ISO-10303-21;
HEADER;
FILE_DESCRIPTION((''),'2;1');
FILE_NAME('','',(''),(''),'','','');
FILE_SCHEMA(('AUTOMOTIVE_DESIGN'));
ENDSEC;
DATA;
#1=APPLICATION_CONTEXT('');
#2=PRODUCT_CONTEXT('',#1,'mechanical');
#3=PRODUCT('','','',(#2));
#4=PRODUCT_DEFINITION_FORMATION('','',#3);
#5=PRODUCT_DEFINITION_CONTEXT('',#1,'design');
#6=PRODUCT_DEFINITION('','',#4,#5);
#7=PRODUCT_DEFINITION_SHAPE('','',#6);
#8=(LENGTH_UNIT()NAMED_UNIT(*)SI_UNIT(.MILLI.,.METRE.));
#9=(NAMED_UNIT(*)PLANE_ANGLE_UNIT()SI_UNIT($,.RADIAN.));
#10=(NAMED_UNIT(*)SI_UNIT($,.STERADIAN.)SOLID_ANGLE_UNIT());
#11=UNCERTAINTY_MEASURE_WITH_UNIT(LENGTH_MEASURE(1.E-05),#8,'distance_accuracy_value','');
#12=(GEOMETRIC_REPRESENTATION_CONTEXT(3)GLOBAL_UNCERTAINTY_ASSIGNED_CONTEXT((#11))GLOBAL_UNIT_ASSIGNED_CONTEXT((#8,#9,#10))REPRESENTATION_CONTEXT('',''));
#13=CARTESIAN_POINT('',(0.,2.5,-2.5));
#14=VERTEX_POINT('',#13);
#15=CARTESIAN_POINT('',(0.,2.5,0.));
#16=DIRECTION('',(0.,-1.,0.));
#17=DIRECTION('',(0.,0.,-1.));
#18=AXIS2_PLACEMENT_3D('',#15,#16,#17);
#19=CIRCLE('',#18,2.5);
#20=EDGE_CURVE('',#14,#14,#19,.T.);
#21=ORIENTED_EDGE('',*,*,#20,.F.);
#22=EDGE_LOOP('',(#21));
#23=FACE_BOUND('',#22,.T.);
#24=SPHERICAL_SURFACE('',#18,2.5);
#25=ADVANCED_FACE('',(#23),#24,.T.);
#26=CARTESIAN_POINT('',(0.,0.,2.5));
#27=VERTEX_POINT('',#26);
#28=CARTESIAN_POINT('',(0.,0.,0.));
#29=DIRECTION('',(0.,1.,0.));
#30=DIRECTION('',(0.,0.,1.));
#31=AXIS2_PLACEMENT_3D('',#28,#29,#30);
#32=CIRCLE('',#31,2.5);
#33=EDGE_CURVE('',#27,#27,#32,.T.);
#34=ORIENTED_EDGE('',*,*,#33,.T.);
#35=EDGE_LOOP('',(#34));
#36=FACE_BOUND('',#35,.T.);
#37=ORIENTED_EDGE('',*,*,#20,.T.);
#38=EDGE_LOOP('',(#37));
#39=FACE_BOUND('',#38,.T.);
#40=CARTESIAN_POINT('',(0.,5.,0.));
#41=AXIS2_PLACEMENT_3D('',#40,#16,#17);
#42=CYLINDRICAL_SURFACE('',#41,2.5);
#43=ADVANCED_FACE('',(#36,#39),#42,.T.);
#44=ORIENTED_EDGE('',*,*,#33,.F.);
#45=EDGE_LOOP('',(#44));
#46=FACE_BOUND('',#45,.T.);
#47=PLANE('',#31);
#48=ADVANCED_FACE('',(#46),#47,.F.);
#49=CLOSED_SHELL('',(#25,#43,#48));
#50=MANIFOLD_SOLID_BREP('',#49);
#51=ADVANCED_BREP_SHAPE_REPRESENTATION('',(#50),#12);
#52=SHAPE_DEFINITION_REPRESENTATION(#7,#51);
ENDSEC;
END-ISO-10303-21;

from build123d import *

# Parameters (mm, degrees)
ESQUISSE1_R      = 2.5
EXTRUSION1_DEPTH = 5
CONG_1_R         = 2.5


with BuildPart() as part:
    # Esquisse1 → Extrusion1 (new body)
    with BuildSketch(Plane(origin=(0, 0, 0), x_dir=(1, 0, 0), z_dir=(0, 1, 0))):
        Circle(ESQUISSE1_R)
    extrude(amount=EXTRUSION1_DEPTH)

    # Congé1
    cong_1_edges = [part.edges().sort_by_distance(p)[0] for p in [
        (-2.5, 5, 0),
    ]]
    fillet(cong_1_edges, radius=CONG_1_R)


solid = part.part
